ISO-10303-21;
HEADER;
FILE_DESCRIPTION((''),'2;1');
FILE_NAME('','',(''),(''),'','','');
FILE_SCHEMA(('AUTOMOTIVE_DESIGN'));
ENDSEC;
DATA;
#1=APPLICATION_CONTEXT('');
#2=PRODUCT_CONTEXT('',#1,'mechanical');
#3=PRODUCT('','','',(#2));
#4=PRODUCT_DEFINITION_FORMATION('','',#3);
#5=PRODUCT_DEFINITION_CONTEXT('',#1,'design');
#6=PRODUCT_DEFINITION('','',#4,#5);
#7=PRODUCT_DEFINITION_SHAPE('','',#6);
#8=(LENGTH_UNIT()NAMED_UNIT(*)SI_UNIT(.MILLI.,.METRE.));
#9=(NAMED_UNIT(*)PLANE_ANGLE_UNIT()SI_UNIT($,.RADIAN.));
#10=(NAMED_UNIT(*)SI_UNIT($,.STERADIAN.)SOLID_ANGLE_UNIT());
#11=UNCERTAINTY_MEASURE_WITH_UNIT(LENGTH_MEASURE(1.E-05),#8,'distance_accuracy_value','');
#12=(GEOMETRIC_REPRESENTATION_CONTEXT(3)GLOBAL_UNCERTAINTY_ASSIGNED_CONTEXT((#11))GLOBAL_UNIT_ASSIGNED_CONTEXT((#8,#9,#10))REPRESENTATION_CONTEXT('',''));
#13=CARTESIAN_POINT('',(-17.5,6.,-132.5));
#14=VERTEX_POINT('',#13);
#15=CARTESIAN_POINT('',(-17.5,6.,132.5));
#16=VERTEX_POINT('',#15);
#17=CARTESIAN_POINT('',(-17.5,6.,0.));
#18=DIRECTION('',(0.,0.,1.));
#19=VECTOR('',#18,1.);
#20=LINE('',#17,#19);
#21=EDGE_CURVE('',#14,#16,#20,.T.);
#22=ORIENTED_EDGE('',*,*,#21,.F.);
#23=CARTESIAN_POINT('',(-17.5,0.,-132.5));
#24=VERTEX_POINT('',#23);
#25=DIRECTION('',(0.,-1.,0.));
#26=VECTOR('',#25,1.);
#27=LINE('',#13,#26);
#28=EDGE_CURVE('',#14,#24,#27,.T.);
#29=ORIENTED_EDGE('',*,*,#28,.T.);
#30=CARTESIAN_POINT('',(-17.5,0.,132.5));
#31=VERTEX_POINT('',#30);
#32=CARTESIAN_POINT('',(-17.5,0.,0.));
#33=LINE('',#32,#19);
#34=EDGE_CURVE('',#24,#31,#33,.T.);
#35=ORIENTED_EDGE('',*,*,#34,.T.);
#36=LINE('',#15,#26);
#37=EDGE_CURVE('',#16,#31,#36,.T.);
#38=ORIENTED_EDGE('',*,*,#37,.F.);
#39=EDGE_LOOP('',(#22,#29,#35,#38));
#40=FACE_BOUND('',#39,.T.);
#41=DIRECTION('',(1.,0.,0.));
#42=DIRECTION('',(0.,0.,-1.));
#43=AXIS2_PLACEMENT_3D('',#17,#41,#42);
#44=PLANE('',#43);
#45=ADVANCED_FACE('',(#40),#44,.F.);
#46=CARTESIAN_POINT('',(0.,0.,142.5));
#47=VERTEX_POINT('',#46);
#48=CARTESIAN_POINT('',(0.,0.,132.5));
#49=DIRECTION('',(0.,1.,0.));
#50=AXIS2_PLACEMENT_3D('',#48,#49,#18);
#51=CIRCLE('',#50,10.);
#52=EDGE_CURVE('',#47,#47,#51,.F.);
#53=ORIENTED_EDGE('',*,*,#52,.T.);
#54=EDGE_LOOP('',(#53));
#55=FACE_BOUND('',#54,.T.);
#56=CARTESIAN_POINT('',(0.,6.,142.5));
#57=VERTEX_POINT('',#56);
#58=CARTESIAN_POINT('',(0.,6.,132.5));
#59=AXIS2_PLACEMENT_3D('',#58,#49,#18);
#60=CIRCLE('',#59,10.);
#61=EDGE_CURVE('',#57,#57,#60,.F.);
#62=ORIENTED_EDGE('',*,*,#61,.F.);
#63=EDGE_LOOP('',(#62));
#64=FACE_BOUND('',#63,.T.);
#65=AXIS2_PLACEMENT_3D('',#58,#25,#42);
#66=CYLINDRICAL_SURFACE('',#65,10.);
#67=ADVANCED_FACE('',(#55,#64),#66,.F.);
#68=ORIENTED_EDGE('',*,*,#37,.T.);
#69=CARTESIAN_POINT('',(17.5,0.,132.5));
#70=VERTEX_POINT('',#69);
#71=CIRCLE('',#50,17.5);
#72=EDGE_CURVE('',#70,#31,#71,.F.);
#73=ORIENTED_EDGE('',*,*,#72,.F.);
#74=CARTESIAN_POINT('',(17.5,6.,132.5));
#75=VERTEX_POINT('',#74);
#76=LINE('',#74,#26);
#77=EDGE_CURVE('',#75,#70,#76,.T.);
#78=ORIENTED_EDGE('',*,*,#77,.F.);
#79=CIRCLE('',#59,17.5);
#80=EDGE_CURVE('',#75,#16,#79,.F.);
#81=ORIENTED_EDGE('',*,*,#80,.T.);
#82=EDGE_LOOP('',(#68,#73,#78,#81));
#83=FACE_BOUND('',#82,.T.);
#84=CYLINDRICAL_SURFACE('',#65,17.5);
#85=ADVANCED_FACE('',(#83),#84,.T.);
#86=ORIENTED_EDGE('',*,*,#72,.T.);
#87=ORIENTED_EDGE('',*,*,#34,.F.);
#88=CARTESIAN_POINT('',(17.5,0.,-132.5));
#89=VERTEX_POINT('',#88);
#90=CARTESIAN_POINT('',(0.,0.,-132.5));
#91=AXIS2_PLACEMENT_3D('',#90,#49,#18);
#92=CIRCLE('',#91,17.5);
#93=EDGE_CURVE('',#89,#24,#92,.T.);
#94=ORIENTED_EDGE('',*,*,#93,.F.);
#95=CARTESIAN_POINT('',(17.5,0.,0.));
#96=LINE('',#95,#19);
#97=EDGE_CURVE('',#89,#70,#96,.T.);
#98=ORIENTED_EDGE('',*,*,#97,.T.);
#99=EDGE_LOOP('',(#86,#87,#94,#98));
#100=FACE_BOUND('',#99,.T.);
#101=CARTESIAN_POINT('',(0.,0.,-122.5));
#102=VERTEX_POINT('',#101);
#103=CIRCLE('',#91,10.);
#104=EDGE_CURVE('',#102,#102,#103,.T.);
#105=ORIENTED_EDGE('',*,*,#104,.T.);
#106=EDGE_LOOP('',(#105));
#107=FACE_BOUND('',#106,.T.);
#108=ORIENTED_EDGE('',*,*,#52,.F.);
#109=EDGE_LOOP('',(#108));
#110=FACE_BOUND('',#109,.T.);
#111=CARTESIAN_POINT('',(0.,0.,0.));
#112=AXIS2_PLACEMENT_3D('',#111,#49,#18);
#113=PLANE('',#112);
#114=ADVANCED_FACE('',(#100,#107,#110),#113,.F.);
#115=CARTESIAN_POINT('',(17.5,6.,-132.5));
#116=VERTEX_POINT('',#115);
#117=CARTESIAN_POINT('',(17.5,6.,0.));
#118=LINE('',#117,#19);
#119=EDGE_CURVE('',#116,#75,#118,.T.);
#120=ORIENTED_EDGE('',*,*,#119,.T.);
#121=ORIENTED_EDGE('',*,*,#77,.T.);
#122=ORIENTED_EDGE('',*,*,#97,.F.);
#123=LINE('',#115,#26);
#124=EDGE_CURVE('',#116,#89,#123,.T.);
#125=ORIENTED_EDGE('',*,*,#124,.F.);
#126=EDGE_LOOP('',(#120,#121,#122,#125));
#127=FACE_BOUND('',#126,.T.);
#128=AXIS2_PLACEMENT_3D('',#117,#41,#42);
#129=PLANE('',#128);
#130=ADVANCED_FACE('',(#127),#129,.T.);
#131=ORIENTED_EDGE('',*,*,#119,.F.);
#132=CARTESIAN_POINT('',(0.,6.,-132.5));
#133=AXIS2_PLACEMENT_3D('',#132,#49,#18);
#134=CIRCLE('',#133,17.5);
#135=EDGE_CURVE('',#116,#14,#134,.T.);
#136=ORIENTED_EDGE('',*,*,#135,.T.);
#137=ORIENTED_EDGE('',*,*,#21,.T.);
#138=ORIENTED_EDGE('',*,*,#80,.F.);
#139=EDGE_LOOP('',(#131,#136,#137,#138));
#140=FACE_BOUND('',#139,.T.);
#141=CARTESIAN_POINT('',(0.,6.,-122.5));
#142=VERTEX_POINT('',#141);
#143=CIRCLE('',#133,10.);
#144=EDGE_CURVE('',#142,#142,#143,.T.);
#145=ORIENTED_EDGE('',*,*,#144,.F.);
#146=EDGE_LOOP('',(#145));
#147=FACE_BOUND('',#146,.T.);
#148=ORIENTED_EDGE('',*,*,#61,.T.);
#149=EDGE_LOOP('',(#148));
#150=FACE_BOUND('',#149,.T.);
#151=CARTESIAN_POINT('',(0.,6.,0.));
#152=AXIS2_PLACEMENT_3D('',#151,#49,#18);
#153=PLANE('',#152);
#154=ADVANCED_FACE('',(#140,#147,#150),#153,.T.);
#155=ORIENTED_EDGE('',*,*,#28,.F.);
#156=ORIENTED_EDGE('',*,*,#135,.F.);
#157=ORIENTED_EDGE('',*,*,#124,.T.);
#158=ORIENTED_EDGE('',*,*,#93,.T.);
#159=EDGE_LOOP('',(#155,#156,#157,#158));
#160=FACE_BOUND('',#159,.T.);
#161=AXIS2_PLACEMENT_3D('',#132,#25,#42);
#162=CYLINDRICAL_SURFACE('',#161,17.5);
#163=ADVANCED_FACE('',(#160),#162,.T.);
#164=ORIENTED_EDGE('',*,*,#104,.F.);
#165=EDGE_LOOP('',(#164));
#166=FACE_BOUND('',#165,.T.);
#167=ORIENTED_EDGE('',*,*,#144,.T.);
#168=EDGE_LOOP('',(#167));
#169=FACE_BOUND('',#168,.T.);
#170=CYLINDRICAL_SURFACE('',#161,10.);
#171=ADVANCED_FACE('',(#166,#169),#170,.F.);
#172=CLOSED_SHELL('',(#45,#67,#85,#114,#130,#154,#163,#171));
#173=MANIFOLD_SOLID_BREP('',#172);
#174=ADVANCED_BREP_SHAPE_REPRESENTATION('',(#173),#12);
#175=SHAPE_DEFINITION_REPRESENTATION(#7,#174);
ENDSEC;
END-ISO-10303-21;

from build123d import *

# Parameters (mm, degrees)
SKETCH1_R           = 17.5
SKETCH1_R_2         = 10
BOSS_EXTRUDE1_DEPTH = 6


with BuildPart() as part:
    # Sketch1 → Boss-Extrude1 (new body)
    with BuildSketch(Plane(origin=(0, 0, 0), x_dir=(1, 0, 0), z_dir=(0, 1, 0))):
        with BuildLine():
            ThreePointArc((17.5, 132.5), (0, 115), (-17.5, 132.5))
            Line((-17.5, 132.5), (-17.5, -132.5))
            ThreePointArc((-17.5, -132.5), (0, -115), (17.5, -132.5))
            Line((17.5, -132.5), (17.5, 132.5))
        make_face()
        with Locations((0, 132.5)):
            Circle(SKETCH1_R)
        with Locations((0, 132.5)):
            Circle(SKETCH1_R_2, mode=Mode.SUBTRACT)
        with Locations((0, -132.5)):
            Circle(SKETCH1_R)
        with Locations((0, -132.5)):
            Circle(SKETCH1_R_2, mode=Mode.SUBTRACT)
    extrude(amount=BOSS_EXTRUDE1_DEPTH)


solid = part.part
